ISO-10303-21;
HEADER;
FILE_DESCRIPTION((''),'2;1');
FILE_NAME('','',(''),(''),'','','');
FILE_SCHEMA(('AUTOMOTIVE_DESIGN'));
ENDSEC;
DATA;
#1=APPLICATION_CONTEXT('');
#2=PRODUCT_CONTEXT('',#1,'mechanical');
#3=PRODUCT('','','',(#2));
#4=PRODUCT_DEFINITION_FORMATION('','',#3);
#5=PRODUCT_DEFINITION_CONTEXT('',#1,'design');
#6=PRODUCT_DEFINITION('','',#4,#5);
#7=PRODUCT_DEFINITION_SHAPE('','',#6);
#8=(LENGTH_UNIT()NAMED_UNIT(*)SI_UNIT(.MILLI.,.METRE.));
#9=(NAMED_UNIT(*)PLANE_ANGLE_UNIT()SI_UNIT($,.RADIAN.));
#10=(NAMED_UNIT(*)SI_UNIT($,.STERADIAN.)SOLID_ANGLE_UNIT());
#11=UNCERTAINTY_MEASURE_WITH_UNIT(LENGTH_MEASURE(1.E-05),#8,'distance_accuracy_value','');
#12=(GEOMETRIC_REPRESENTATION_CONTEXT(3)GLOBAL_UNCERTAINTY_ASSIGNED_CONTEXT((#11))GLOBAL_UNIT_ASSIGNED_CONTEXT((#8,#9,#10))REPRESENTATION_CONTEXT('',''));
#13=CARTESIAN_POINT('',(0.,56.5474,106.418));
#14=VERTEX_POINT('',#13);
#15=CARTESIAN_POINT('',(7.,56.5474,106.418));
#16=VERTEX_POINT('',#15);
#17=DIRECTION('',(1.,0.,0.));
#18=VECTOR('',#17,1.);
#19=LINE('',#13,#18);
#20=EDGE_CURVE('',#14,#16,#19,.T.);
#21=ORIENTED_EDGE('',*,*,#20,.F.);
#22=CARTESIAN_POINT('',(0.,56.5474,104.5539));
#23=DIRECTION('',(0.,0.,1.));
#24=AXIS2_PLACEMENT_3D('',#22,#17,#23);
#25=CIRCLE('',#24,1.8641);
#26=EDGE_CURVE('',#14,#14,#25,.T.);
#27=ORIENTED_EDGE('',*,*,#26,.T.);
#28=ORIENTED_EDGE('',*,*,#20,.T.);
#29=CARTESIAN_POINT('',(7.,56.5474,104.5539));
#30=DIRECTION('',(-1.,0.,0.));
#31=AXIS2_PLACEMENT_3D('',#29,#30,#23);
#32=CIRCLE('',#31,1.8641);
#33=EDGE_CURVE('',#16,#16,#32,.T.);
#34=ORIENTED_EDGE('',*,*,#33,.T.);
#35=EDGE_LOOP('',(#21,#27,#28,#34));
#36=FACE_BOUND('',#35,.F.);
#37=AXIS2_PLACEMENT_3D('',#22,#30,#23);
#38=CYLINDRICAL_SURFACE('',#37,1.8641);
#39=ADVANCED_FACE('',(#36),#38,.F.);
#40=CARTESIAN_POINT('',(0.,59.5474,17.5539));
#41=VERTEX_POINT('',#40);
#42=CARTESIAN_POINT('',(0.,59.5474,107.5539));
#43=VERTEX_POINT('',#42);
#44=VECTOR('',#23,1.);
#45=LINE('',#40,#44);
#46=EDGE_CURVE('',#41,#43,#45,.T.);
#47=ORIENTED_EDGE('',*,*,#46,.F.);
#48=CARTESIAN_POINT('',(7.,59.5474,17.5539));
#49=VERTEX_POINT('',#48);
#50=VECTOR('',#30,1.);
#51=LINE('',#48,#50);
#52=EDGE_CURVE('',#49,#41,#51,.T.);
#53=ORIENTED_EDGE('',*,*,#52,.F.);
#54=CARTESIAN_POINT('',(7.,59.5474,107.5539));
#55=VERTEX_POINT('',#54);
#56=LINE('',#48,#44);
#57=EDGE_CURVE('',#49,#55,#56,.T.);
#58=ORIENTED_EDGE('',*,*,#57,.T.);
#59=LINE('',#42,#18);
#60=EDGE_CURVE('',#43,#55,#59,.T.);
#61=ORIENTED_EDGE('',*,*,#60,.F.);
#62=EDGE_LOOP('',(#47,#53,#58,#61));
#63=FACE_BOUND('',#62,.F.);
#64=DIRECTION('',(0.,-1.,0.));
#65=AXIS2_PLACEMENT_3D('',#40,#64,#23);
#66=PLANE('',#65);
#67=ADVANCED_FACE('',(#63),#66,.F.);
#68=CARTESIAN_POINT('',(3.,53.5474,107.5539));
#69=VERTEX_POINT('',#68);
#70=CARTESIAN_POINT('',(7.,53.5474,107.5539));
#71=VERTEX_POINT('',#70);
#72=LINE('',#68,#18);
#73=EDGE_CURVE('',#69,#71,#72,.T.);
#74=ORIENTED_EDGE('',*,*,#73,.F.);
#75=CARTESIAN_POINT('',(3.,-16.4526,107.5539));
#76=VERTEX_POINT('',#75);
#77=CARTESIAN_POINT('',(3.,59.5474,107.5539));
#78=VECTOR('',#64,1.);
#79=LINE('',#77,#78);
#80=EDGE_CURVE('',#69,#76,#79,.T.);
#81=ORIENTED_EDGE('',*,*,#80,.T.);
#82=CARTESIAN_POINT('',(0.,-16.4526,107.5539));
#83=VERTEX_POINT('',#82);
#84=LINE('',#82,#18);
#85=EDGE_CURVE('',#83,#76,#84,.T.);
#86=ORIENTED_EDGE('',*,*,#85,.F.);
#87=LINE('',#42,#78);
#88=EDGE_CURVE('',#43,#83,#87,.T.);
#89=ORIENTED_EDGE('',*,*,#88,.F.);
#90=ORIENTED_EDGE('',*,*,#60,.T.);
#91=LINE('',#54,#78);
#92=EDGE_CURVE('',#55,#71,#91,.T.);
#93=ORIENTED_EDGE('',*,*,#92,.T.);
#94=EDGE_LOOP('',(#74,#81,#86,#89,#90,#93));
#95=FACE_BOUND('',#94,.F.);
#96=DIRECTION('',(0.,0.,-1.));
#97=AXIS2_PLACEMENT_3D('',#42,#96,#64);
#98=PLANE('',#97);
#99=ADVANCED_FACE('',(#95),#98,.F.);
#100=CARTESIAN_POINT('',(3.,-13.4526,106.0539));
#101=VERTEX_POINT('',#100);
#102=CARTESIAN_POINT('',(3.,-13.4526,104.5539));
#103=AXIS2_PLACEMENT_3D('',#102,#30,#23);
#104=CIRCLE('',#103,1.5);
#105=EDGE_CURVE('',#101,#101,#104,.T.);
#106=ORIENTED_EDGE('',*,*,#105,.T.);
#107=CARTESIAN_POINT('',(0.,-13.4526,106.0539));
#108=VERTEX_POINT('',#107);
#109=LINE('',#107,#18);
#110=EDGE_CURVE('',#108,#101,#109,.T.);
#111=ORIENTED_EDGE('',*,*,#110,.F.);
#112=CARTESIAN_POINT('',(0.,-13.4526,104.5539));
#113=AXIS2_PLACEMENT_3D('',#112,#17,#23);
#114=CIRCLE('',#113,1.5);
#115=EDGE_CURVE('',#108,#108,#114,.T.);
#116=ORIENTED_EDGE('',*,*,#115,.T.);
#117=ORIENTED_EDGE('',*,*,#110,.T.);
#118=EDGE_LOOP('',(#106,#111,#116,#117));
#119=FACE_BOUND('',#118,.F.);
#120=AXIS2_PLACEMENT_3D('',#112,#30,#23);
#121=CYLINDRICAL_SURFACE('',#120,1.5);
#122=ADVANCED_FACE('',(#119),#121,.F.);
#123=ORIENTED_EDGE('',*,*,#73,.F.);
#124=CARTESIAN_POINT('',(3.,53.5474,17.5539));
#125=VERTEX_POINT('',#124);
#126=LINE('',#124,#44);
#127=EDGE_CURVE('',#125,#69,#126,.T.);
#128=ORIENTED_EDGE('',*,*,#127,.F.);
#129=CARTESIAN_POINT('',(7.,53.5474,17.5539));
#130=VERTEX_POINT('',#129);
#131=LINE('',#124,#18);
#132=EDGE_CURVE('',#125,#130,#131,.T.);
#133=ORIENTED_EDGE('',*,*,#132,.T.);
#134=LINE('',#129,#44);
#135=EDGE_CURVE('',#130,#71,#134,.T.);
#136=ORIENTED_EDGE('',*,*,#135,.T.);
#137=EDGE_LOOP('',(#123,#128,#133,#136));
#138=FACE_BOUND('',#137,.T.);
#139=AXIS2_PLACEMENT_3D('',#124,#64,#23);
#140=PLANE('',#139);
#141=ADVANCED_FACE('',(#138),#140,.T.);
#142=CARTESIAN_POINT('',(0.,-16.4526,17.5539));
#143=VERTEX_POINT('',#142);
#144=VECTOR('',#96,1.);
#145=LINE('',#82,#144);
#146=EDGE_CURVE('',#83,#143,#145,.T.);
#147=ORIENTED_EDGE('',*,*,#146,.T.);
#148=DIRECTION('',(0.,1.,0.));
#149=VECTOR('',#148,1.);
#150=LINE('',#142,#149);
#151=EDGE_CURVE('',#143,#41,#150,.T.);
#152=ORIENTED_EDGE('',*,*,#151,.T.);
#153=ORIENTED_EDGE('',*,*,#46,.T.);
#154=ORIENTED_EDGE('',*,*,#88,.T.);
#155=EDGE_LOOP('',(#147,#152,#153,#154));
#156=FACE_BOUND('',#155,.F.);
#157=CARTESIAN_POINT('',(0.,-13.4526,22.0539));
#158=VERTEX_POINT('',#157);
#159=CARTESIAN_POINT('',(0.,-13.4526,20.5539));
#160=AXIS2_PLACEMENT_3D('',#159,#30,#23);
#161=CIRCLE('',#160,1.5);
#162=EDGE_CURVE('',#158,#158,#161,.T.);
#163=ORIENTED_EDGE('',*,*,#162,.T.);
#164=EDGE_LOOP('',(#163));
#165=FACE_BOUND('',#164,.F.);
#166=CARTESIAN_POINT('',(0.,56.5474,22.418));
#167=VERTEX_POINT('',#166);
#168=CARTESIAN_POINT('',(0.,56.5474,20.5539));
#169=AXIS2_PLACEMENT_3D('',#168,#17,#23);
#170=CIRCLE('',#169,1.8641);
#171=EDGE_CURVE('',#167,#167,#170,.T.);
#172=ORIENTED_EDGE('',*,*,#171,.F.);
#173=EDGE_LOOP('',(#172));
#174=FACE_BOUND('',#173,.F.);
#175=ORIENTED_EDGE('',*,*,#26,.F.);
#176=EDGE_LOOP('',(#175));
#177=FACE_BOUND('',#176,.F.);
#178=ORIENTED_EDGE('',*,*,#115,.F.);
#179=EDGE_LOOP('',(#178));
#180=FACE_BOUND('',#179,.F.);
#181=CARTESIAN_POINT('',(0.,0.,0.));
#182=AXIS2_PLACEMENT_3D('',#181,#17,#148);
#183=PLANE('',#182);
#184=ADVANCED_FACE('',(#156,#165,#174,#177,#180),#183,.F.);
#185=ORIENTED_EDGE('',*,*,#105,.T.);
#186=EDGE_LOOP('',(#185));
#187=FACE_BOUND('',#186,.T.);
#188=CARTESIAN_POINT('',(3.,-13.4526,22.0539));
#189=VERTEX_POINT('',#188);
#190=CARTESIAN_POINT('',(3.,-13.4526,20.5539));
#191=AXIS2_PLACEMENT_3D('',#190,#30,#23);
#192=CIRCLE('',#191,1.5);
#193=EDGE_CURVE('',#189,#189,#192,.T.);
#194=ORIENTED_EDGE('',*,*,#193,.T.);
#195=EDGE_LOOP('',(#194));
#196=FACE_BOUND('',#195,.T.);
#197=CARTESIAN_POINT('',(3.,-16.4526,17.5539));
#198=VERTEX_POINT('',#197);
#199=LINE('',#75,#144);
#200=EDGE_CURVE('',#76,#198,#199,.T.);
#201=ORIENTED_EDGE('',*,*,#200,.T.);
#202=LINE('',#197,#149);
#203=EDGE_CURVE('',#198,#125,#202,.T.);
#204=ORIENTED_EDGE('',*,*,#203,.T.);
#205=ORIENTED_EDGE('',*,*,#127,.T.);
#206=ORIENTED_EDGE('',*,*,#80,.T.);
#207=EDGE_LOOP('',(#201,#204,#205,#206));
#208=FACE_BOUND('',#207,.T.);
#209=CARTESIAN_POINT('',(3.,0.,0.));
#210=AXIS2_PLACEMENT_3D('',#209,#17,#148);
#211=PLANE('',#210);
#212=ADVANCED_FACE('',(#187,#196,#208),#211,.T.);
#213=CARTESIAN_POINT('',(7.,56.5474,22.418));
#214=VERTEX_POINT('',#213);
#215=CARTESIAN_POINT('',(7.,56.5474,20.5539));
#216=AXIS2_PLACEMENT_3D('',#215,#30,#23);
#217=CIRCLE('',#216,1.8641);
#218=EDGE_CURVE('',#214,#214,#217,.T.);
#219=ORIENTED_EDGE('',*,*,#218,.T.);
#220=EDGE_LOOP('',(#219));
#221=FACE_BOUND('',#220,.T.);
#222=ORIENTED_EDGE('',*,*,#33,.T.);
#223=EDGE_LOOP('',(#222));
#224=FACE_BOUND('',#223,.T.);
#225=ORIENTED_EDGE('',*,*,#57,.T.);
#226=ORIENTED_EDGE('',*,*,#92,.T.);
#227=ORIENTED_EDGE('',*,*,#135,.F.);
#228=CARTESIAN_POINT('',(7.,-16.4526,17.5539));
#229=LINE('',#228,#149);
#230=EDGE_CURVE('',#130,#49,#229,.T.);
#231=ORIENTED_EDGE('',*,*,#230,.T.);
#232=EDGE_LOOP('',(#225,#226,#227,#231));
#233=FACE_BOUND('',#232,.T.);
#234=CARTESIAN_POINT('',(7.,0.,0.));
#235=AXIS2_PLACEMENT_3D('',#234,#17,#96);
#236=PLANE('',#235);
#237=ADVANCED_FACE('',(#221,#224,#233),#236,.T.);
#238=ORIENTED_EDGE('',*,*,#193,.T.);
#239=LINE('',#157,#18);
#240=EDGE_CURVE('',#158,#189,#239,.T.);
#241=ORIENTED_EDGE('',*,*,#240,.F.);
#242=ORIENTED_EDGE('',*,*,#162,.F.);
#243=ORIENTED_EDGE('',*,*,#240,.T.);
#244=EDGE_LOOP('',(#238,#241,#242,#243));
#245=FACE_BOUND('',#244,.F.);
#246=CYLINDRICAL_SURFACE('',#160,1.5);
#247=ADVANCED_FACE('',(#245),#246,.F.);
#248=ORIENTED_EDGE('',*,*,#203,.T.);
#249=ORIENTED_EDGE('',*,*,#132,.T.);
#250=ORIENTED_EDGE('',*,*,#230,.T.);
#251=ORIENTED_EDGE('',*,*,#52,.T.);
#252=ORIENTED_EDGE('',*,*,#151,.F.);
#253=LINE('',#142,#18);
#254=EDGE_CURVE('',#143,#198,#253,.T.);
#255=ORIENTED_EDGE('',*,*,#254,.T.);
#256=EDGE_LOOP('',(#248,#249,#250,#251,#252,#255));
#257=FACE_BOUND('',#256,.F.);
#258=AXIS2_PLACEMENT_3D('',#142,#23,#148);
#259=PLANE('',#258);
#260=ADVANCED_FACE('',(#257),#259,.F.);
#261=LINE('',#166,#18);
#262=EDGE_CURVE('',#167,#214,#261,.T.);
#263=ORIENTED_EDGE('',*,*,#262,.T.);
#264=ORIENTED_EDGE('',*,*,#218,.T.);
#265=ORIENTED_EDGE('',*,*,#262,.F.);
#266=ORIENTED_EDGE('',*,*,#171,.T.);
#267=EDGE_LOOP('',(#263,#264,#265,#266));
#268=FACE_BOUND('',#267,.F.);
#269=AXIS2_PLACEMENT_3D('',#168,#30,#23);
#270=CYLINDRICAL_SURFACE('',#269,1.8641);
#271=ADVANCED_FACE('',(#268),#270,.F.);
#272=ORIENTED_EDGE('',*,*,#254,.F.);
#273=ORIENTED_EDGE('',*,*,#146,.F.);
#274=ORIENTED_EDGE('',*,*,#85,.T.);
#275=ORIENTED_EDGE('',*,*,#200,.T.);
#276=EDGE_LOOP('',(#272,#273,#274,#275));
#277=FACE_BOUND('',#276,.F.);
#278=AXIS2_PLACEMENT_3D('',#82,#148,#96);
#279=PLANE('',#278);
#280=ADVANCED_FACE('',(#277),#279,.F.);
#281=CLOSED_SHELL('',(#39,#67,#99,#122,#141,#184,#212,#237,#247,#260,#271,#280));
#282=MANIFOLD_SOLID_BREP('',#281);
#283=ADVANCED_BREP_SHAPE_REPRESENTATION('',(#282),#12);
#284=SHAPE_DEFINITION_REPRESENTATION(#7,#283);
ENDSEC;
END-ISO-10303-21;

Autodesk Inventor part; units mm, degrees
ref_plane "YZ Plane" through (0, 0, 0) normal (1, 0, 0) x (0, 1, 0)
ref_plane "XZ Plane" through (0, 0, 0) normal (0, 1, 0) x (-1, 0, 0)
ref_plane "XY Plane" through (0, 0, 0) normal (0, 0, 1) x (1, 0, 0)
sketch "Sketch1" plane through (0, 0, 0) normal (1, 0, 0) x (0, 1, 0)
  line L0 (59.5474, 107.5539) -> (-16.4526, 107.5539)
  line L1 (-16.4526, 107.5539) -> (-16.4526, 17.5539)
  line L2 (-16.4526, 17.5539) -> (59.5474, 17.5539)
  line L3 (59.5474, 17.5539) -> (59.5474, 107.5539)
  point P0 (0, 0)
  dimension "d0" = 90
  dimension "d1" = 76
extrude "Extrusion1" add sketch "Sketch1" along normal blind 3
sketch "Sketch2" plane through (3, 0, 0) normal (1, 0, 0) x (0, 0, -1)
  point P0 (0, 0)
sketch "Sketch3" plane through (3, 0, 0) normal (1, 0, 0) x (0, 0, -1)
  line L0 (-107.5539, -16.4526) -> (-17.5539, -16.4526) projected
  line L1 (-17.5539, -16.4526) -> (-17.5539, 59.5474) projected
  line L2 (-17.5539, 59.5474) -> (-107.5539, 59.5474) projected
  line L3 (-107.5539, 59.5474) -> (-107.5539, -16.4526) projected
  line L4 (-107.5539, 59.5474) -> (-17.5539, 59.5474)
  line L5 (-17.5539, 59.5474) -> (-17.5539, 53.5474)
  line L6 (-17.5539, 53.5474) -> (-107.5539, 53.5474)
  line L7 (-107.5539, 53.5474) -> (-107.5539, 59.5474)
  point P0 (0, 0)
  dimension "d4" = 6
extrude "Extrusion2" add sketch "Sketch3" along normal blind 4 contours L3 L2 L1 L6
sketch "Sketch5" plane through (0, 0, 0) normal (-1, 0, 0) x (0, 0, 1)
  line L0 (107.5539, -16.4526) -> (17.5539, -16.4526) projected
  line L1 (107.5539, 59.5474) -> (107.5539, -16.4526) projected
  line L2 (17.5539, 59.5474) -> (107.5539, 59.5474) projected
  line L3 (17.5539, -16.4526) -> (17.5539, 59.5474) projected
  line L4 (17.5539, -16.4526) -> (20.5539, -16.4526)
  line L5 (20.5539, -16.4526) -> (20.5539, -13.4526) construction
  line L6 (20.5539, -13.4526) -> (17.5539, -13.4526) construction
  line L7 (17.5539, -13.4526) -> (17.5539, -16.4526)
  circle A0 centre (20.5539, -13.4526) radius 1.5
  line L8 (107.5539, -16.4526) -> (104.5539, -16.4526)
  line L9 (104.5539, -16.4526) -> (104.5539, -13.4526)
  line L10 (104.5539, -13.4526) -> (107.5539, -13.4526)
  line L11 (107.5539, -13.4526) -> (107.5539, -16.4526)
  line L12 (17.5539, 59.5474) -> (20.5539, 59.5474)
  line L13 (20.5539, 59.5474) -> (20.5539, 56.5474)
  line L14 (20.5539, 56.5474) -> (17.5539, 56.5474)
  line L15 (17.5539, 56.5474) -> (17.5539, 59.5474)
  line L16 (107.5539, 59.5474) -> (104.5539, 59.5474)
  line L17 (104.5539, 59.5474) -> (104.5539, 56.5474)
  line L18 (104.5539, 56.5474) -> (107.5539, 56.5474)
  line L19 (107.5539, 56.5474) -> (107.5539, 59.5474)
  circle A1 centre (20.5539, 56.5474) radius 1.8641
  circle A2 centre (104.5539, 56.5474) radius 1.8641
  circle A3 centre (104.5539, -13.4526) radius 1.5
  point P0 (0, 0)
  dimension "d7" = 3
  dimension "d9" = 3
extrude "Extrusion3" cut sketch "Sketch5" against normal up to surface (7 mm away) contours A3 L10 L9 | L9 L10 A3 | A2 L17 L18 | L18 L17 A2 | A1 L13 L14 | L14 L13 A1 | A0
